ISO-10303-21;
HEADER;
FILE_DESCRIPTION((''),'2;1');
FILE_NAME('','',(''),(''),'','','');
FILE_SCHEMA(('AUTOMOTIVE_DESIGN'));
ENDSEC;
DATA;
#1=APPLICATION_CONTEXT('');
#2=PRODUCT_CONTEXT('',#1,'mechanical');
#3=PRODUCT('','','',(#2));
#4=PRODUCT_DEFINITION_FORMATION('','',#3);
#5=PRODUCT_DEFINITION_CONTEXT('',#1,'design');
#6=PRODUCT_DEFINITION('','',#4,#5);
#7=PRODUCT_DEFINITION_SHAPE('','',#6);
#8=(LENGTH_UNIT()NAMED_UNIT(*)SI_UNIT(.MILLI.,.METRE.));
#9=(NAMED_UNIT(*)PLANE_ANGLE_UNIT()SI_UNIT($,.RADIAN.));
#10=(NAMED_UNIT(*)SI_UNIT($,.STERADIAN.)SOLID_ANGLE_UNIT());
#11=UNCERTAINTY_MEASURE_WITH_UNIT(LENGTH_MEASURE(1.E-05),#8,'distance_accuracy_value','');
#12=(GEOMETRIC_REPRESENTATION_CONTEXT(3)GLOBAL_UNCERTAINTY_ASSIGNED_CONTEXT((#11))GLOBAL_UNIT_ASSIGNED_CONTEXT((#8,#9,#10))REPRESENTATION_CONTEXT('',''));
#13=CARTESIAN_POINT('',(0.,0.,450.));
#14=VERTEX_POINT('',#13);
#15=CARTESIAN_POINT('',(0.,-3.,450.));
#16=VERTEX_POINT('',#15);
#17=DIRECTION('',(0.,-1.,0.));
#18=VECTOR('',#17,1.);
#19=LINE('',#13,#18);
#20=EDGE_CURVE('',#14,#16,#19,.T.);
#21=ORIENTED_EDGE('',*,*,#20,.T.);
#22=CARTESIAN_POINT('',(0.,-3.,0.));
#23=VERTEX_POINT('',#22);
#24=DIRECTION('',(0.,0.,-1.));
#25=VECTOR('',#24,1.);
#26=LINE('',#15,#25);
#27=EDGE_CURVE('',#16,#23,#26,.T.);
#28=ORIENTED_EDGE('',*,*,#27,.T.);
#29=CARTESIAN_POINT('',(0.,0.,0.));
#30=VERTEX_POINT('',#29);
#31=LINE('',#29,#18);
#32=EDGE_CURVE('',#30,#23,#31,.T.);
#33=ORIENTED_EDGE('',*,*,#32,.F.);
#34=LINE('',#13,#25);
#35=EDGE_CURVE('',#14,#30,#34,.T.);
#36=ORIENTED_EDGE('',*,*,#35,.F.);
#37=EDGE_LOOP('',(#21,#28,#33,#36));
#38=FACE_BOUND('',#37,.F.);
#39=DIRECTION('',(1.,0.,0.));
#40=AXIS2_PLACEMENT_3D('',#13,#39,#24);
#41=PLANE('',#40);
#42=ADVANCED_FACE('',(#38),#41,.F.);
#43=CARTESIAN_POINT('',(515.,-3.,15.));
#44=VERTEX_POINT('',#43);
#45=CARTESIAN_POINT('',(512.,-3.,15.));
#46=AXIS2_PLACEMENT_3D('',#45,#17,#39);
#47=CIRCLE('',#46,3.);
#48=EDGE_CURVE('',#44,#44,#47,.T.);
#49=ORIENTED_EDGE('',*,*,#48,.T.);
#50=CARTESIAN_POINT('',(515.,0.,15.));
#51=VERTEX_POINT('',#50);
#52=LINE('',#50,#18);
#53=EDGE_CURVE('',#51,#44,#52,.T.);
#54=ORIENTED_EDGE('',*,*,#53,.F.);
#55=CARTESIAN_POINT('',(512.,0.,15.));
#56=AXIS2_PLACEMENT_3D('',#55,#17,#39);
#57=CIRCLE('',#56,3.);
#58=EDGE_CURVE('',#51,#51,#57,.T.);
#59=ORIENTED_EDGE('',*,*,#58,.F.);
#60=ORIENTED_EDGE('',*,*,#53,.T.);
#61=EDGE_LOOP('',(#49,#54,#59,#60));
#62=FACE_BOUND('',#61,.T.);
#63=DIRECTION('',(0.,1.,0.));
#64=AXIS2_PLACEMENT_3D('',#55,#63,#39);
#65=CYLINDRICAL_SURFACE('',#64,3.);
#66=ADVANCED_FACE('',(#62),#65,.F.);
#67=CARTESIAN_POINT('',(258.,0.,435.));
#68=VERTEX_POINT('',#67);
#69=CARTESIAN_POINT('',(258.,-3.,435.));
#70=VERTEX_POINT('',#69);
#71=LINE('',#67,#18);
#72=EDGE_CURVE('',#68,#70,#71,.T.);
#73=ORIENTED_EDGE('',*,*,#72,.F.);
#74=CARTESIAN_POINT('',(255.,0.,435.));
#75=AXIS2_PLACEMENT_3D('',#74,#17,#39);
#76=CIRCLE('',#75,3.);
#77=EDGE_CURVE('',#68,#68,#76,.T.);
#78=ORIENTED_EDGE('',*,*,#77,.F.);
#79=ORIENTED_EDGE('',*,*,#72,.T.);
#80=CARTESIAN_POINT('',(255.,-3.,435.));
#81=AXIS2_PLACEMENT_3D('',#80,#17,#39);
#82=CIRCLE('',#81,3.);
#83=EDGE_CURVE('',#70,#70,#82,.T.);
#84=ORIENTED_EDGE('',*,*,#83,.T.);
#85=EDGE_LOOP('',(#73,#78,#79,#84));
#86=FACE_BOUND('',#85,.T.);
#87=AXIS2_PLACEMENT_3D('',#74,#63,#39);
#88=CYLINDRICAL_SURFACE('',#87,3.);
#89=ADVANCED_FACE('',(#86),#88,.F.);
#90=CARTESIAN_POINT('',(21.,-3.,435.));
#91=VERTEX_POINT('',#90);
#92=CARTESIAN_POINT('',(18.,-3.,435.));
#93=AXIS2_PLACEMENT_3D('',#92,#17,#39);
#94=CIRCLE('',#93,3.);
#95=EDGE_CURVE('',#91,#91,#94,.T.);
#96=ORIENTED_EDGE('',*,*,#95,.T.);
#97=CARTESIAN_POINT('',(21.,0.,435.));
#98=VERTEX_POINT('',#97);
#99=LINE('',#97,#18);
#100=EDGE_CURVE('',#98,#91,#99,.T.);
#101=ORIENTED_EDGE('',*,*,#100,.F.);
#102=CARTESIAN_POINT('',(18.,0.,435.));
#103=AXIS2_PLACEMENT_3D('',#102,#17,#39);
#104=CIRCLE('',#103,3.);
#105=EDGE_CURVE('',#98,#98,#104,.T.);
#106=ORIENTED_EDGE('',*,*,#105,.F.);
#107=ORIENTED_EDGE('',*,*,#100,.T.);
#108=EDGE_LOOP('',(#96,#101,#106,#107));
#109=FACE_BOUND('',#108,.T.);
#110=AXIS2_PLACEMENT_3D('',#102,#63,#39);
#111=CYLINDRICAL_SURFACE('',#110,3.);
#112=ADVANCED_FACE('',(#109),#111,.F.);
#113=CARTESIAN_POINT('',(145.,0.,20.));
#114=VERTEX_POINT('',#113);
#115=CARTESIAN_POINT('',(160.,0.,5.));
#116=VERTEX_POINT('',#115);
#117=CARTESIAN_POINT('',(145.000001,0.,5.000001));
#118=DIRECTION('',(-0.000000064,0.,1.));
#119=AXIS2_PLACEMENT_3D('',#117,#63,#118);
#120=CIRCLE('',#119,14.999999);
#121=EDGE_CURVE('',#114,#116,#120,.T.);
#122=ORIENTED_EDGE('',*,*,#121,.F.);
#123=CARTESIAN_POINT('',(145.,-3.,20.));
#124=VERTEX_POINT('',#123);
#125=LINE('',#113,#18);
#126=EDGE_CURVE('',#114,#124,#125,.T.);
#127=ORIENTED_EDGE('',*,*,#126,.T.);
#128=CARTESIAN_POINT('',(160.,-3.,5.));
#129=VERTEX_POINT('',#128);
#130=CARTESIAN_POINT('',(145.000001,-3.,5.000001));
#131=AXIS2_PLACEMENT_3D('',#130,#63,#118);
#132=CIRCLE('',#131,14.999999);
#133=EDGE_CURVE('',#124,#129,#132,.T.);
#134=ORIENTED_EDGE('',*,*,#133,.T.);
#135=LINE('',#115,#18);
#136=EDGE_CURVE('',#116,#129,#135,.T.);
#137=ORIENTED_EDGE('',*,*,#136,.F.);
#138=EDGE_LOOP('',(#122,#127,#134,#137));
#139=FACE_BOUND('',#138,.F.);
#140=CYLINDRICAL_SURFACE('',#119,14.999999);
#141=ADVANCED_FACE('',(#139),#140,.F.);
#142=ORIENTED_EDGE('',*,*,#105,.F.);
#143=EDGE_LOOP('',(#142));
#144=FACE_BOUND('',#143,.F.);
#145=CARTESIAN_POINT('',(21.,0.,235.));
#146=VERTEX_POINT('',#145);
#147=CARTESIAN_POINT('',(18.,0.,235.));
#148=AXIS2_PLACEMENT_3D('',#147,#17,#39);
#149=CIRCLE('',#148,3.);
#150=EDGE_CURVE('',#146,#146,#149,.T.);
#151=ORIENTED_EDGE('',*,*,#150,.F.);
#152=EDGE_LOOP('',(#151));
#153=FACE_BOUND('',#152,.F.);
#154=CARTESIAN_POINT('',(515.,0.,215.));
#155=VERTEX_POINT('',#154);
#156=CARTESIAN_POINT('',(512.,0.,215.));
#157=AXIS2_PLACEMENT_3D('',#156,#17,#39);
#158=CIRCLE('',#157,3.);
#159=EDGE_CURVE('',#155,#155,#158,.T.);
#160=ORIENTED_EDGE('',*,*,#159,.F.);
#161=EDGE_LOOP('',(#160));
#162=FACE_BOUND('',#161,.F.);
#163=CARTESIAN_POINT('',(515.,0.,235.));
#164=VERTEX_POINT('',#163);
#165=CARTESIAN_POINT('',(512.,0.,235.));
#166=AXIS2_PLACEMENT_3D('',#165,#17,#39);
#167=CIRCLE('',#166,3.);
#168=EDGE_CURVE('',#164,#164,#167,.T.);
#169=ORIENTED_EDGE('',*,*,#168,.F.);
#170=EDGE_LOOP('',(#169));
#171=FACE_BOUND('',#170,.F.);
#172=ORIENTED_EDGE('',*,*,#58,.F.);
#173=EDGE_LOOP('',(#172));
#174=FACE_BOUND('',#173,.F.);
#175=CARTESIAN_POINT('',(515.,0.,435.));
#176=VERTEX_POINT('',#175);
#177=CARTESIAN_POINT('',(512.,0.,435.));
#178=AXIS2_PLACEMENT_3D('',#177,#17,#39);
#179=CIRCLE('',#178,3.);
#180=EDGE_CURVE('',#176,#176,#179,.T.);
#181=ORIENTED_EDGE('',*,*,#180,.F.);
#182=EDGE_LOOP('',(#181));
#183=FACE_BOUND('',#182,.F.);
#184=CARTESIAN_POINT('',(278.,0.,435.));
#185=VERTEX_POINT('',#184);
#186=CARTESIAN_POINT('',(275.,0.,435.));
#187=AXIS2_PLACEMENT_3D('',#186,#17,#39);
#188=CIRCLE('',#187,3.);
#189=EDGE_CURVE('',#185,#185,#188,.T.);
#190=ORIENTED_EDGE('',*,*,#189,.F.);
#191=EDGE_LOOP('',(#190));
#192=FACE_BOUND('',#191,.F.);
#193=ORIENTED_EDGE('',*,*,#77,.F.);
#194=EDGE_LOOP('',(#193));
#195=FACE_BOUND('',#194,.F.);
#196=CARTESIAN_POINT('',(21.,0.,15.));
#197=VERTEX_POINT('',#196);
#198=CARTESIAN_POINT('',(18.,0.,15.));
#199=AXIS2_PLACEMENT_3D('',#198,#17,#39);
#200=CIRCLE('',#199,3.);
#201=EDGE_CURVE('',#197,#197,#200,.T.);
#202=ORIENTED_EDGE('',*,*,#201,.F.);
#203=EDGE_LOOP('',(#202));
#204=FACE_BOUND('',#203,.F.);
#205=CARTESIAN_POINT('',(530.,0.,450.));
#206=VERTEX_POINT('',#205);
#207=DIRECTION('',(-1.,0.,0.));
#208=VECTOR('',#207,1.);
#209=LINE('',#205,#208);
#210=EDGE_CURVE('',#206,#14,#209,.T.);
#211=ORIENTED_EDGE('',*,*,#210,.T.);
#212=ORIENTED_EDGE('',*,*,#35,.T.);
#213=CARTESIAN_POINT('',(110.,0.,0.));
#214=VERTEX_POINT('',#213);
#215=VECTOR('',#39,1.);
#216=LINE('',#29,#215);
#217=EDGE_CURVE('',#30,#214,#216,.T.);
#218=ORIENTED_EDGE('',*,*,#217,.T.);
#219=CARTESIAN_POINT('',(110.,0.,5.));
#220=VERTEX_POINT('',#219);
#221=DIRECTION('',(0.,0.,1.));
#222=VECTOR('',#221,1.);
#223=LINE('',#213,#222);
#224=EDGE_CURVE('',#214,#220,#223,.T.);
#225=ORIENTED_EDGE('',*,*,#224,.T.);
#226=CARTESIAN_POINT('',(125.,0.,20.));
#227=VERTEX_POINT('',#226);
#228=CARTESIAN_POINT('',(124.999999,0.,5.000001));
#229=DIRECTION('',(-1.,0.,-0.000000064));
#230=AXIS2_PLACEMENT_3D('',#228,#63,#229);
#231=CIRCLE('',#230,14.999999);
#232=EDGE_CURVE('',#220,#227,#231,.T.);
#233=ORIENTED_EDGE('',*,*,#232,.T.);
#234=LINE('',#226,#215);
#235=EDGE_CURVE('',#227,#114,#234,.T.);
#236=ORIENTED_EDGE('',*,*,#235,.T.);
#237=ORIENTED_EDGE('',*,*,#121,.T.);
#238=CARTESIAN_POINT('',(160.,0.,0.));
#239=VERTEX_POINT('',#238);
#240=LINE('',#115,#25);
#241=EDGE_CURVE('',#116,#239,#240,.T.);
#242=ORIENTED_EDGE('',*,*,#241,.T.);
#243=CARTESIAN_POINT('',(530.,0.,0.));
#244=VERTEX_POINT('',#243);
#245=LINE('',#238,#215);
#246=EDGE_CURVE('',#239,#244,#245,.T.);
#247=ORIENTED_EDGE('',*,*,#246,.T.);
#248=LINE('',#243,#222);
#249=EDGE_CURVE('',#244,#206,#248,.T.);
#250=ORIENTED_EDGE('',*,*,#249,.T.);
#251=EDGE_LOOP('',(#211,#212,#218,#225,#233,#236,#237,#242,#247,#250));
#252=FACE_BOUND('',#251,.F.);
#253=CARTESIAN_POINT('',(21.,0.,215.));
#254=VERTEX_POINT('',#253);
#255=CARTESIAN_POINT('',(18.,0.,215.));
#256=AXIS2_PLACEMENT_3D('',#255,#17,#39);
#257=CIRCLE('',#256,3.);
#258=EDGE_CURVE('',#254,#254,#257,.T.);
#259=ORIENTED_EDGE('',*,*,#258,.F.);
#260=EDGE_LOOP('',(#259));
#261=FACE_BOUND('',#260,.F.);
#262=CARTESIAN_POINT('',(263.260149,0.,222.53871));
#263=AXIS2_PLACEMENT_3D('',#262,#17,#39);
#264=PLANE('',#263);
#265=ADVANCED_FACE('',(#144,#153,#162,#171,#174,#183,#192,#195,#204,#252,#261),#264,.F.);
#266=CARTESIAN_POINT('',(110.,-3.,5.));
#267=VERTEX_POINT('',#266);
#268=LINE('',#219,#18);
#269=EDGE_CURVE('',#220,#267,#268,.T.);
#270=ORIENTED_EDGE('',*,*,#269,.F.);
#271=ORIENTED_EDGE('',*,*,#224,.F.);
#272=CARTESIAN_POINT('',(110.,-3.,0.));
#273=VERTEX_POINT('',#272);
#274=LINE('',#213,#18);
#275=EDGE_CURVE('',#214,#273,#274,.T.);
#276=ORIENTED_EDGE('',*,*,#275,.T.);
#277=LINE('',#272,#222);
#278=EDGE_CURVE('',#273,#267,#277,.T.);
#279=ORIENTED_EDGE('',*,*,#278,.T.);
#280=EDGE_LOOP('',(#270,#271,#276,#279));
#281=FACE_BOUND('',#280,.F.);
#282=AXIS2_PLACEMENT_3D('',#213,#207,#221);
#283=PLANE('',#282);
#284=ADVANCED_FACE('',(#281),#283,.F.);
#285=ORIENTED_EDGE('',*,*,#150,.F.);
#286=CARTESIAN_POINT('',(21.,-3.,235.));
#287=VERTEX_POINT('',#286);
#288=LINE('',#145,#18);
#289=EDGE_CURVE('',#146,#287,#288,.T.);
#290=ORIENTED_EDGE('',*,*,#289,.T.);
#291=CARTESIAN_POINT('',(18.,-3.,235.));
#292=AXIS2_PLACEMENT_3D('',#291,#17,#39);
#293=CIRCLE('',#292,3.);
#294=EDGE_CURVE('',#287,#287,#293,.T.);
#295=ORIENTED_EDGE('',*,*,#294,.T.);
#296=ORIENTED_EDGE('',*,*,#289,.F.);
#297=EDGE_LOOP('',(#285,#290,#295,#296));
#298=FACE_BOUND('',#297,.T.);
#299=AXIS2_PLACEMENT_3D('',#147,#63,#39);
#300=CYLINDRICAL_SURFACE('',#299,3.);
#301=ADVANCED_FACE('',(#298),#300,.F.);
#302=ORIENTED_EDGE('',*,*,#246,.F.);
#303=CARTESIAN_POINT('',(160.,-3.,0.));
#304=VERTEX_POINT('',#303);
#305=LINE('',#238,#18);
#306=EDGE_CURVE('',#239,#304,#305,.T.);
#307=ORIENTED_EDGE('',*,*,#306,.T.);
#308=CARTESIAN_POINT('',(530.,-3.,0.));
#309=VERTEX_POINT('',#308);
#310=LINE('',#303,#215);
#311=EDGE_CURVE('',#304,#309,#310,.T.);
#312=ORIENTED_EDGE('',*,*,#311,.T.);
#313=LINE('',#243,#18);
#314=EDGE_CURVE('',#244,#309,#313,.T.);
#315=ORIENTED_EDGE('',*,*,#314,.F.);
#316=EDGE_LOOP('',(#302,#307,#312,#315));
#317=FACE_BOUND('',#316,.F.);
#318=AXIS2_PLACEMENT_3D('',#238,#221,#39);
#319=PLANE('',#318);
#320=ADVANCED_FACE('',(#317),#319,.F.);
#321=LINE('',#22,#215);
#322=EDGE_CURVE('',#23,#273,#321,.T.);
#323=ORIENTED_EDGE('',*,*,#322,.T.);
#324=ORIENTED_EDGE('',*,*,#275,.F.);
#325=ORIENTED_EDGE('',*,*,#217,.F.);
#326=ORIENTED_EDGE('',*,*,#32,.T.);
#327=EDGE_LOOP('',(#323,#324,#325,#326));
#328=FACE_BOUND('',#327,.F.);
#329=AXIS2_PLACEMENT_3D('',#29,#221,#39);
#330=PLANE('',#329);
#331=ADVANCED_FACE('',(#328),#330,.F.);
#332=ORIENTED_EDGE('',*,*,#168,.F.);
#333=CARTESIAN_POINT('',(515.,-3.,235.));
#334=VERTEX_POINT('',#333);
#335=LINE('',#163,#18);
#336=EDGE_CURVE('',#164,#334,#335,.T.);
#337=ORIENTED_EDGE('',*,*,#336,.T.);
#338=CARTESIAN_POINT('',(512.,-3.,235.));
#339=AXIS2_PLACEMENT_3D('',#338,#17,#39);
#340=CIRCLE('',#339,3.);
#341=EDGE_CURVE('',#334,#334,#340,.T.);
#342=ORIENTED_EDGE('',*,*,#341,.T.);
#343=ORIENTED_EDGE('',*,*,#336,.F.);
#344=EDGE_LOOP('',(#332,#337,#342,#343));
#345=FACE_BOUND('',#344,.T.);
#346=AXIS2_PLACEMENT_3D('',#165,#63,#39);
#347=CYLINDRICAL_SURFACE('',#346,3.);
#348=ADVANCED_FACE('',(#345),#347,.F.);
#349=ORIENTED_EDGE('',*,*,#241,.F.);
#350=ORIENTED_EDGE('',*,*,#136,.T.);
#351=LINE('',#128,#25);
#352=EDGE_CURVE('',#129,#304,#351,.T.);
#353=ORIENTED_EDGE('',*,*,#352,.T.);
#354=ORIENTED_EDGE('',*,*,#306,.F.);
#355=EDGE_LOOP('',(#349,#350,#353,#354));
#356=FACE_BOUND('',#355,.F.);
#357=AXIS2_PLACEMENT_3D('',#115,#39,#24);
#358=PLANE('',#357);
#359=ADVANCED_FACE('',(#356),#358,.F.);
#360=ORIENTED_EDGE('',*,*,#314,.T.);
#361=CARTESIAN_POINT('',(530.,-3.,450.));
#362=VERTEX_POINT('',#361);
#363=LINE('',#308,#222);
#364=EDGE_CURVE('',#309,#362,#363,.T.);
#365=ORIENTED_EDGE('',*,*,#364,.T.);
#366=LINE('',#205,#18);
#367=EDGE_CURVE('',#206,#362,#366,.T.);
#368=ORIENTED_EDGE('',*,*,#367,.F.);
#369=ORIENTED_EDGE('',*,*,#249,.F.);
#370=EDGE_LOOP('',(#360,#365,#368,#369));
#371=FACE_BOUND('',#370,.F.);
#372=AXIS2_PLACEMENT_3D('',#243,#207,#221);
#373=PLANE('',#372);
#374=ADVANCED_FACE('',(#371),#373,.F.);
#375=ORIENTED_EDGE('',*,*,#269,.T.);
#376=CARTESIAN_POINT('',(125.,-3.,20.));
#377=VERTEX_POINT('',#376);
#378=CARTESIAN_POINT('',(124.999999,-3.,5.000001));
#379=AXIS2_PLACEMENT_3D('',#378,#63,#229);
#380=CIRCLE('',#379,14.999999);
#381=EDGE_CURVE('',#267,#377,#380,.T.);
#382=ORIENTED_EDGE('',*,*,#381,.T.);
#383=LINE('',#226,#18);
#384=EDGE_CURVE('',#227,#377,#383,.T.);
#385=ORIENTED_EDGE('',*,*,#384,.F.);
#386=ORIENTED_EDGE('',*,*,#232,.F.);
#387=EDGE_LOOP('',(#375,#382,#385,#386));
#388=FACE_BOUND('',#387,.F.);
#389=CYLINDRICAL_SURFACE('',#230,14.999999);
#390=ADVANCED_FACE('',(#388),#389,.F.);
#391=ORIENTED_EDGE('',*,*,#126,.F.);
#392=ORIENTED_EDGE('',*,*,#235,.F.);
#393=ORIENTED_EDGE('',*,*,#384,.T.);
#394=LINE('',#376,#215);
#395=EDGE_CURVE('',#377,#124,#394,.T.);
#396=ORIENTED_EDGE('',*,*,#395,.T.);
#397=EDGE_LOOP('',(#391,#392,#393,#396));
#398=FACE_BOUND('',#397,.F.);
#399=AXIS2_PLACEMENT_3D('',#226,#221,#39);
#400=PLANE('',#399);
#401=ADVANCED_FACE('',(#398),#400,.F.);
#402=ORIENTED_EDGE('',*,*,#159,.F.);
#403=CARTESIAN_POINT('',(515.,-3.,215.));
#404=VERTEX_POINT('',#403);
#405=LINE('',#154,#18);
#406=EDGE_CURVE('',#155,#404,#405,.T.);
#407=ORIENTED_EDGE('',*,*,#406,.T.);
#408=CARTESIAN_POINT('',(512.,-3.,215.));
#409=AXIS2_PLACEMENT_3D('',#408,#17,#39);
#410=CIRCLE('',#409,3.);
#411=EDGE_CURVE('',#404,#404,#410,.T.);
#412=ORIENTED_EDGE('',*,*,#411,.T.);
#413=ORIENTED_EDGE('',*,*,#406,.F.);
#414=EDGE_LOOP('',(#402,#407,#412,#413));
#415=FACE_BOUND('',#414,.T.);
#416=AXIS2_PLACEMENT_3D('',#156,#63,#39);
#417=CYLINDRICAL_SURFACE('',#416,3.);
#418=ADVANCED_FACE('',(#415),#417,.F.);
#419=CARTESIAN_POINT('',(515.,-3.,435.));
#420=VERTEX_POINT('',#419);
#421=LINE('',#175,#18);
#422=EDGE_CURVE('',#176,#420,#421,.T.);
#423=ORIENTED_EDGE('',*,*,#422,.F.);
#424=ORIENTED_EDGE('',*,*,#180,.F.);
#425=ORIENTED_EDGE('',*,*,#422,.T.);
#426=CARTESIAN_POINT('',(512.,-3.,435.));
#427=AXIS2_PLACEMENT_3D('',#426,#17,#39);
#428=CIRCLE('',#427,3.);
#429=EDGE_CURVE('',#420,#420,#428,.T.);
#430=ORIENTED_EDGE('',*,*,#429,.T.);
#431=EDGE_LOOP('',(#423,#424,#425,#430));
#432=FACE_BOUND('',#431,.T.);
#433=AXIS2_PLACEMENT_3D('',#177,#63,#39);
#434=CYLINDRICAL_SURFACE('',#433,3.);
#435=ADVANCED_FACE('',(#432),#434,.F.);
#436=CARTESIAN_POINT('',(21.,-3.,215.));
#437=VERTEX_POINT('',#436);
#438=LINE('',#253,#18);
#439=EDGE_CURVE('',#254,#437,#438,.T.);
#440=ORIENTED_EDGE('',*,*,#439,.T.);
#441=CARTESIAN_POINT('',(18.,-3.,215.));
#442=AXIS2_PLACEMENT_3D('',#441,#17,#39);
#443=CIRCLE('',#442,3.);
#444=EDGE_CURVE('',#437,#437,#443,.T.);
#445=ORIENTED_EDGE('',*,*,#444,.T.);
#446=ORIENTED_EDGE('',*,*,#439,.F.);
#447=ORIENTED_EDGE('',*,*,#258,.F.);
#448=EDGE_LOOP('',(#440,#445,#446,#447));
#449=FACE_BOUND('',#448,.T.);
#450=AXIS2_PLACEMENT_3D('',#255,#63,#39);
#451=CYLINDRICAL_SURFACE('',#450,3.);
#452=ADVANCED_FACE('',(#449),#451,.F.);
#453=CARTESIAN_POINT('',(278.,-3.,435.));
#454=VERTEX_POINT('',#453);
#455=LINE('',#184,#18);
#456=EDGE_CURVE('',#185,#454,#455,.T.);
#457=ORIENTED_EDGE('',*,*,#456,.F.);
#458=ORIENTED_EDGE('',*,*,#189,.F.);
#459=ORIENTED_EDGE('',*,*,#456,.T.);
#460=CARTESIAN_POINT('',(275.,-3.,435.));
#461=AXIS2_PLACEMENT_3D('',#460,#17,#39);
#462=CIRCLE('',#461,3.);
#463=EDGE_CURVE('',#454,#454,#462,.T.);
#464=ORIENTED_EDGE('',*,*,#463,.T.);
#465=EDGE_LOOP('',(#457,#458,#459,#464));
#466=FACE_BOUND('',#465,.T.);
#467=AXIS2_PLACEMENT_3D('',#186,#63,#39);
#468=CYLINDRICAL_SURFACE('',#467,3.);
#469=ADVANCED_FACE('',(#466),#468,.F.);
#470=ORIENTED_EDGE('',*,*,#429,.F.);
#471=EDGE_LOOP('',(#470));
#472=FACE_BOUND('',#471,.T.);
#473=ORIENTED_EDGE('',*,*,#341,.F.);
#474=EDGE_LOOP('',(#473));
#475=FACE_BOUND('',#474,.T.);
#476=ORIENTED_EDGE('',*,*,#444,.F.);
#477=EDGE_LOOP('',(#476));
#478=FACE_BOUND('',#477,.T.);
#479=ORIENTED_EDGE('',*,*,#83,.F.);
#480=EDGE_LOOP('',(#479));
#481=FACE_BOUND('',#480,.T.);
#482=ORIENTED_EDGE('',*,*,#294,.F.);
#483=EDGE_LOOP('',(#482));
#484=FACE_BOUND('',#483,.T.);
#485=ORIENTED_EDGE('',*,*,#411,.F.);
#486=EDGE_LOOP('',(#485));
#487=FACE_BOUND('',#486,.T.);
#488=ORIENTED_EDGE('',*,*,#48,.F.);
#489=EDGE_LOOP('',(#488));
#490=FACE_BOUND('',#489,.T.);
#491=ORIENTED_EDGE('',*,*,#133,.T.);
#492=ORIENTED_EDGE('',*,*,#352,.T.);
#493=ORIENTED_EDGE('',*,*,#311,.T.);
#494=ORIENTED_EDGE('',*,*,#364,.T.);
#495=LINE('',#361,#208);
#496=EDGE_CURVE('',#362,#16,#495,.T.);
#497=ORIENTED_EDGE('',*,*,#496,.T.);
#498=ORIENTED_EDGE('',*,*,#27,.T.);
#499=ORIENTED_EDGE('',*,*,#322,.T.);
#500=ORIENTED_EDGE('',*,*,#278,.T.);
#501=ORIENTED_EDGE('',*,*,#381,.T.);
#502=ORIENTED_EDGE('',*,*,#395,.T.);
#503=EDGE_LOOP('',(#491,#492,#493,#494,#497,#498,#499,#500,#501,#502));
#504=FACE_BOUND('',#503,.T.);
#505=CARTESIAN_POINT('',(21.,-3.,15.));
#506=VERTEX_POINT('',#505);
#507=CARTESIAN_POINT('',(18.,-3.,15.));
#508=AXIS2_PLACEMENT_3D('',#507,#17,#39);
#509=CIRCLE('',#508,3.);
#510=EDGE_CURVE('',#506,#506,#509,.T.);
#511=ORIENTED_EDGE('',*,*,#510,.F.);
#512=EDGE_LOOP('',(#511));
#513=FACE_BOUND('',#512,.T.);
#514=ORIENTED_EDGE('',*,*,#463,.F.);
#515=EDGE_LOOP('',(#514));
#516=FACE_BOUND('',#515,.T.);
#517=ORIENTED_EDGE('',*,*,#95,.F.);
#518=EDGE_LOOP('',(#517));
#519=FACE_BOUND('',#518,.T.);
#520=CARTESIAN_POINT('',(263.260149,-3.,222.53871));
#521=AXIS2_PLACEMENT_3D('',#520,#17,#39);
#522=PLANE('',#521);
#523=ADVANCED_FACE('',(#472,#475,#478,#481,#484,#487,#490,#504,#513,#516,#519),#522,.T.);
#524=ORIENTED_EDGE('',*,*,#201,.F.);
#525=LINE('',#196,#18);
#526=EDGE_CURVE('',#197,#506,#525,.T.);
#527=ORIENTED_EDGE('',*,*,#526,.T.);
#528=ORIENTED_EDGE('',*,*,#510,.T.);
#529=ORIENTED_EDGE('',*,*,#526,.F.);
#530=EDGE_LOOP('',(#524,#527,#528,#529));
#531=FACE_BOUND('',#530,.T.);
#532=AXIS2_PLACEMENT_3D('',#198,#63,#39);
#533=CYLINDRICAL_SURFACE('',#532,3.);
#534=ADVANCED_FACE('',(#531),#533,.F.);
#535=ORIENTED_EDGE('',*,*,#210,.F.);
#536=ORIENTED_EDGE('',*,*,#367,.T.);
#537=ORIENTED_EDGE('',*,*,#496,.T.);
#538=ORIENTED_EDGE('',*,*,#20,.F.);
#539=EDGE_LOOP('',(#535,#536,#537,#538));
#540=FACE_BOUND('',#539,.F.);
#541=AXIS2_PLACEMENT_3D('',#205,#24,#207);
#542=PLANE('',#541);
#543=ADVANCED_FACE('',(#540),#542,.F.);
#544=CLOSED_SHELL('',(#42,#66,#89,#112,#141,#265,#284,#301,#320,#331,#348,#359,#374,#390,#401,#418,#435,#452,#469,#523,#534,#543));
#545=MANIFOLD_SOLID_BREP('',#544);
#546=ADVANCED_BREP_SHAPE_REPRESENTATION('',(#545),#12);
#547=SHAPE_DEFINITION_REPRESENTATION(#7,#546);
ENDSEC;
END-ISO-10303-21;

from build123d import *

# Parameters (mm, degrees)
F0_R     = 3
F1_DEPTH = 3


with BuildPart() as f1:
    # F0 (on Front) → F1 (new body)
    with BuildSketch(Plane.XZ):
        with BuildLine():
            Line((0, 450), (0, 0))
            Line((0, 0), (110, 0))
            Line((110, 0), (110, 5))
            ThreePointArc((110, 5), (114.393398, 15.606602), (125, 20))
            Line((125, 20), (145, 20))
            ThreePointArc((145, 20), (155.606602, 15.606602), (160, 5))
            Line((160, 5), (160, 0))
            Line((160, 0), (530, 0))
            Line((530, 0), (530, 450))
            Line((530, 450), (0, 450))
        make_face()
        with Locations((18, 15)):
            Circle(F0_R, mode=Mode.SUBTRACT)
        with Locations((18, 215)):
            Circle(F0_R, mode=Mode.SUBTRACT)
        with Locations((512, 15)):
            Circle(F0_R, mode=Mode.SUBTRACT)
        with Locations((512, 215)):
            Circle(F0_R, mode=Mode.SUBTRACT)
        with Locations((18, 235)):
            Circle(F0_R, mode=Mode.SUBTRACT)
        with Locations((18, 435)):
            Circle(F0_R, mode=Mode.SUBTRACT)
        with Locations((255, 435)):
            Circle(F0_R, mode=Mode.SUBTRACT)
        with Locations((512, 235)):
            Circle(F0_R, mode=Mode.SUBTRACT)
        with Locations((275, 435)):
            Circle(F0_R, mode=Mode.SUBTRACT)
        with Locations((512, 435)):
            Circle(F0_R, mode=Mode.SUBTRACT)
    extrude(amount=F1_DEPTH)


solid = f1.part
